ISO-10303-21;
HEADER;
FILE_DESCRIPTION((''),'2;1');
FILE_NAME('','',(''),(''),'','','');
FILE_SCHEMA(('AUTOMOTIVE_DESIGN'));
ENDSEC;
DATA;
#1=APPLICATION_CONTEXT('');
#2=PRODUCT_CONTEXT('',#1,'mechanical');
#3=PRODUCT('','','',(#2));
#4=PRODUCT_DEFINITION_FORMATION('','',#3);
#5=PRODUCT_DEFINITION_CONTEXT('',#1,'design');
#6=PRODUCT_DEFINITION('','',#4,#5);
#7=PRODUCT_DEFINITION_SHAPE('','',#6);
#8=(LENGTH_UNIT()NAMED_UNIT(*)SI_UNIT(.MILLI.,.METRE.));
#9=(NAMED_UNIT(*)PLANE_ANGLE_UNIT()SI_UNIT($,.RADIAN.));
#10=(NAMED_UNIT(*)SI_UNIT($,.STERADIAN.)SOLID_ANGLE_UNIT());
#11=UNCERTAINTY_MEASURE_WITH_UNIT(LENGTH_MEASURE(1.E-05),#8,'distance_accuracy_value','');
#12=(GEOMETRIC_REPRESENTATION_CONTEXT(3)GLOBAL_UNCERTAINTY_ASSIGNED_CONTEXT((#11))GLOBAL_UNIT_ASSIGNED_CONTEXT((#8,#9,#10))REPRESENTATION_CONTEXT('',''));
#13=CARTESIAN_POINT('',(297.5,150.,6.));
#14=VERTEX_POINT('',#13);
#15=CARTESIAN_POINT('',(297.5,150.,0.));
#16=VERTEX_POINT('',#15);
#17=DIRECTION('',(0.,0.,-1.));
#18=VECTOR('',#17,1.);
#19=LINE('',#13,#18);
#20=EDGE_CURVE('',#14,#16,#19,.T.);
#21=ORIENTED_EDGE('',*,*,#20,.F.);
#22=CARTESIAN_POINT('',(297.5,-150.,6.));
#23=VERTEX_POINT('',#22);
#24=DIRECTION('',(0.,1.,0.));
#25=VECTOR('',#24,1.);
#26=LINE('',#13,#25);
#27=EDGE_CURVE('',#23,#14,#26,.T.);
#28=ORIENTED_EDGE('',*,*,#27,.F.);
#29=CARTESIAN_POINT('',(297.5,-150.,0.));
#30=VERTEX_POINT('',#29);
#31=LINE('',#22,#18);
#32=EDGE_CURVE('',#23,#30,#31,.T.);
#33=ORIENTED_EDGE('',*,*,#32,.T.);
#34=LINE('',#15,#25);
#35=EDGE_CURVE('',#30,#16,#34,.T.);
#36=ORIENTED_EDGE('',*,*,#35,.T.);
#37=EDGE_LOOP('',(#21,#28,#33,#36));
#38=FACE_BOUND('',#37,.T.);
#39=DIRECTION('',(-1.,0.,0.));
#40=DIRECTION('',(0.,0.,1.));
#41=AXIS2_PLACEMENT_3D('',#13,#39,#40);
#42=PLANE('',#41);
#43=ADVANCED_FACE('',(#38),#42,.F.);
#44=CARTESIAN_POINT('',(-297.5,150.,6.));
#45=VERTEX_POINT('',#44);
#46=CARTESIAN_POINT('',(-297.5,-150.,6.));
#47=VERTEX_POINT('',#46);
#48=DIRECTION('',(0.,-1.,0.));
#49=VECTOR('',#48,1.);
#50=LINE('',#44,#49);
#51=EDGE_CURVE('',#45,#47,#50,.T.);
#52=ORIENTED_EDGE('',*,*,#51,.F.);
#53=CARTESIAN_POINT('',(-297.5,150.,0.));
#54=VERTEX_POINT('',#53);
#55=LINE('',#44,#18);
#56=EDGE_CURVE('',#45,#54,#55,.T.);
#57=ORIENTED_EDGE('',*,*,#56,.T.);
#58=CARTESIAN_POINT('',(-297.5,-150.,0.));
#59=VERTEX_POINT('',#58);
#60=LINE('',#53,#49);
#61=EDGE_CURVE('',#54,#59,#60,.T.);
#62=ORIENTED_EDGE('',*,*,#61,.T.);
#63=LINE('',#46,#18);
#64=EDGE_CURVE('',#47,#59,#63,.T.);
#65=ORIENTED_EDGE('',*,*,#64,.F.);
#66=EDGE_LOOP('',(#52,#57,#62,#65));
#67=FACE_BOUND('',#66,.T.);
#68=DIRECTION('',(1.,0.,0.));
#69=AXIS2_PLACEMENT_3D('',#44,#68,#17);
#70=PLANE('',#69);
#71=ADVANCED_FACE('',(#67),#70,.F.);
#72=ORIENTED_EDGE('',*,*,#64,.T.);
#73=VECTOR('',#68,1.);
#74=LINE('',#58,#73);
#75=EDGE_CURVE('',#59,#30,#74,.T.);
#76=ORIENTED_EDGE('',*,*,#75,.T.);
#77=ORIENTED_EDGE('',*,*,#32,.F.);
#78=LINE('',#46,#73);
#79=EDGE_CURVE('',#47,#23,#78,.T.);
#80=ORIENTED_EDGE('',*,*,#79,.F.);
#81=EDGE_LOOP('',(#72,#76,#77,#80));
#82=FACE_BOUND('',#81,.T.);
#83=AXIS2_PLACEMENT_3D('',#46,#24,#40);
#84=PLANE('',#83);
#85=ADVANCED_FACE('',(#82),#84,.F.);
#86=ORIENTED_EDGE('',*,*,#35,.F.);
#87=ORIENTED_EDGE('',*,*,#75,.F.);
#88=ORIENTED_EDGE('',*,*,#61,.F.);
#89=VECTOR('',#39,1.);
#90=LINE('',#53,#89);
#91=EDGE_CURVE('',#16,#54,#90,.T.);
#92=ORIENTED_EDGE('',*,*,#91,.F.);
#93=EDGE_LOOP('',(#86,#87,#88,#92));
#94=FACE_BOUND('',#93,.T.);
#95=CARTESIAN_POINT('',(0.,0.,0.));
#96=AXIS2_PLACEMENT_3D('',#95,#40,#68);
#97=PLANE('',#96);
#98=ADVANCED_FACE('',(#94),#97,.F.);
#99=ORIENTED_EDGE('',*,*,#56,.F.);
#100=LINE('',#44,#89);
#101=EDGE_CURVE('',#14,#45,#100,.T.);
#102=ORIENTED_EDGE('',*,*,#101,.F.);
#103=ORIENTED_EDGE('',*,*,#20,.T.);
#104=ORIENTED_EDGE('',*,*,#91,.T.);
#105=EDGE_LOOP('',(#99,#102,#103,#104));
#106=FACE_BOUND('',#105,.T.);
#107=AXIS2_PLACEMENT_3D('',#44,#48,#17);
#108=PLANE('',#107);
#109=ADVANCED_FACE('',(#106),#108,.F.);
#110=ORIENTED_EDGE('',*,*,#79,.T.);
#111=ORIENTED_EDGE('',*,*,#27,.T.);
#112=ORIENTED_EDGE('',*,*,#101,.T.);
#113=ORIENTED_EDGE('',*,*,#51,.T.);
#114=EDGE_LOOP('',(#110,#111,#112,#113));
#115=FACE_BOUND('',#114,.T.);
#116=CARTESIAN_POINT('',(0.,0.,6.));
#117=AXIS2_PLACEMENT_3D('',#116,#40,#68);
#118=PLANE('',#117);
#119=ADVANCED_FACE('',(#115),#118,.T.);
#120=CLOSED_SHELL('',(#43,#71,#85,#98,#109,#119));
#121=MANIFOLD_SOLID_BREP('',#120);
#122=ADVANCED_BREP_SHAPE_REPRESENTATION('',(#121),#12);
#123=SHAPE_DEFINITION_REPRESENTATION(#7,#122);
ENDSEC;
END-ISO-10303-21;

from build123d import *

# Parameters (mm, degrees)
SKETCH_1_W      = 595
SKETCH_1_H      = 300
EXTRUDE_1_DEPTH = 6


with BuildPart() as part:
    # Эскиз1 → Бобышка-Вытянуть1 (new body)
    with BuildSketch(Plane.XY):
        Rectangle(SKETCH_1_W, SKETCH_1_H)
    extrude(amount=EXTRUDE_1_DEPTH)


solid = part.part
